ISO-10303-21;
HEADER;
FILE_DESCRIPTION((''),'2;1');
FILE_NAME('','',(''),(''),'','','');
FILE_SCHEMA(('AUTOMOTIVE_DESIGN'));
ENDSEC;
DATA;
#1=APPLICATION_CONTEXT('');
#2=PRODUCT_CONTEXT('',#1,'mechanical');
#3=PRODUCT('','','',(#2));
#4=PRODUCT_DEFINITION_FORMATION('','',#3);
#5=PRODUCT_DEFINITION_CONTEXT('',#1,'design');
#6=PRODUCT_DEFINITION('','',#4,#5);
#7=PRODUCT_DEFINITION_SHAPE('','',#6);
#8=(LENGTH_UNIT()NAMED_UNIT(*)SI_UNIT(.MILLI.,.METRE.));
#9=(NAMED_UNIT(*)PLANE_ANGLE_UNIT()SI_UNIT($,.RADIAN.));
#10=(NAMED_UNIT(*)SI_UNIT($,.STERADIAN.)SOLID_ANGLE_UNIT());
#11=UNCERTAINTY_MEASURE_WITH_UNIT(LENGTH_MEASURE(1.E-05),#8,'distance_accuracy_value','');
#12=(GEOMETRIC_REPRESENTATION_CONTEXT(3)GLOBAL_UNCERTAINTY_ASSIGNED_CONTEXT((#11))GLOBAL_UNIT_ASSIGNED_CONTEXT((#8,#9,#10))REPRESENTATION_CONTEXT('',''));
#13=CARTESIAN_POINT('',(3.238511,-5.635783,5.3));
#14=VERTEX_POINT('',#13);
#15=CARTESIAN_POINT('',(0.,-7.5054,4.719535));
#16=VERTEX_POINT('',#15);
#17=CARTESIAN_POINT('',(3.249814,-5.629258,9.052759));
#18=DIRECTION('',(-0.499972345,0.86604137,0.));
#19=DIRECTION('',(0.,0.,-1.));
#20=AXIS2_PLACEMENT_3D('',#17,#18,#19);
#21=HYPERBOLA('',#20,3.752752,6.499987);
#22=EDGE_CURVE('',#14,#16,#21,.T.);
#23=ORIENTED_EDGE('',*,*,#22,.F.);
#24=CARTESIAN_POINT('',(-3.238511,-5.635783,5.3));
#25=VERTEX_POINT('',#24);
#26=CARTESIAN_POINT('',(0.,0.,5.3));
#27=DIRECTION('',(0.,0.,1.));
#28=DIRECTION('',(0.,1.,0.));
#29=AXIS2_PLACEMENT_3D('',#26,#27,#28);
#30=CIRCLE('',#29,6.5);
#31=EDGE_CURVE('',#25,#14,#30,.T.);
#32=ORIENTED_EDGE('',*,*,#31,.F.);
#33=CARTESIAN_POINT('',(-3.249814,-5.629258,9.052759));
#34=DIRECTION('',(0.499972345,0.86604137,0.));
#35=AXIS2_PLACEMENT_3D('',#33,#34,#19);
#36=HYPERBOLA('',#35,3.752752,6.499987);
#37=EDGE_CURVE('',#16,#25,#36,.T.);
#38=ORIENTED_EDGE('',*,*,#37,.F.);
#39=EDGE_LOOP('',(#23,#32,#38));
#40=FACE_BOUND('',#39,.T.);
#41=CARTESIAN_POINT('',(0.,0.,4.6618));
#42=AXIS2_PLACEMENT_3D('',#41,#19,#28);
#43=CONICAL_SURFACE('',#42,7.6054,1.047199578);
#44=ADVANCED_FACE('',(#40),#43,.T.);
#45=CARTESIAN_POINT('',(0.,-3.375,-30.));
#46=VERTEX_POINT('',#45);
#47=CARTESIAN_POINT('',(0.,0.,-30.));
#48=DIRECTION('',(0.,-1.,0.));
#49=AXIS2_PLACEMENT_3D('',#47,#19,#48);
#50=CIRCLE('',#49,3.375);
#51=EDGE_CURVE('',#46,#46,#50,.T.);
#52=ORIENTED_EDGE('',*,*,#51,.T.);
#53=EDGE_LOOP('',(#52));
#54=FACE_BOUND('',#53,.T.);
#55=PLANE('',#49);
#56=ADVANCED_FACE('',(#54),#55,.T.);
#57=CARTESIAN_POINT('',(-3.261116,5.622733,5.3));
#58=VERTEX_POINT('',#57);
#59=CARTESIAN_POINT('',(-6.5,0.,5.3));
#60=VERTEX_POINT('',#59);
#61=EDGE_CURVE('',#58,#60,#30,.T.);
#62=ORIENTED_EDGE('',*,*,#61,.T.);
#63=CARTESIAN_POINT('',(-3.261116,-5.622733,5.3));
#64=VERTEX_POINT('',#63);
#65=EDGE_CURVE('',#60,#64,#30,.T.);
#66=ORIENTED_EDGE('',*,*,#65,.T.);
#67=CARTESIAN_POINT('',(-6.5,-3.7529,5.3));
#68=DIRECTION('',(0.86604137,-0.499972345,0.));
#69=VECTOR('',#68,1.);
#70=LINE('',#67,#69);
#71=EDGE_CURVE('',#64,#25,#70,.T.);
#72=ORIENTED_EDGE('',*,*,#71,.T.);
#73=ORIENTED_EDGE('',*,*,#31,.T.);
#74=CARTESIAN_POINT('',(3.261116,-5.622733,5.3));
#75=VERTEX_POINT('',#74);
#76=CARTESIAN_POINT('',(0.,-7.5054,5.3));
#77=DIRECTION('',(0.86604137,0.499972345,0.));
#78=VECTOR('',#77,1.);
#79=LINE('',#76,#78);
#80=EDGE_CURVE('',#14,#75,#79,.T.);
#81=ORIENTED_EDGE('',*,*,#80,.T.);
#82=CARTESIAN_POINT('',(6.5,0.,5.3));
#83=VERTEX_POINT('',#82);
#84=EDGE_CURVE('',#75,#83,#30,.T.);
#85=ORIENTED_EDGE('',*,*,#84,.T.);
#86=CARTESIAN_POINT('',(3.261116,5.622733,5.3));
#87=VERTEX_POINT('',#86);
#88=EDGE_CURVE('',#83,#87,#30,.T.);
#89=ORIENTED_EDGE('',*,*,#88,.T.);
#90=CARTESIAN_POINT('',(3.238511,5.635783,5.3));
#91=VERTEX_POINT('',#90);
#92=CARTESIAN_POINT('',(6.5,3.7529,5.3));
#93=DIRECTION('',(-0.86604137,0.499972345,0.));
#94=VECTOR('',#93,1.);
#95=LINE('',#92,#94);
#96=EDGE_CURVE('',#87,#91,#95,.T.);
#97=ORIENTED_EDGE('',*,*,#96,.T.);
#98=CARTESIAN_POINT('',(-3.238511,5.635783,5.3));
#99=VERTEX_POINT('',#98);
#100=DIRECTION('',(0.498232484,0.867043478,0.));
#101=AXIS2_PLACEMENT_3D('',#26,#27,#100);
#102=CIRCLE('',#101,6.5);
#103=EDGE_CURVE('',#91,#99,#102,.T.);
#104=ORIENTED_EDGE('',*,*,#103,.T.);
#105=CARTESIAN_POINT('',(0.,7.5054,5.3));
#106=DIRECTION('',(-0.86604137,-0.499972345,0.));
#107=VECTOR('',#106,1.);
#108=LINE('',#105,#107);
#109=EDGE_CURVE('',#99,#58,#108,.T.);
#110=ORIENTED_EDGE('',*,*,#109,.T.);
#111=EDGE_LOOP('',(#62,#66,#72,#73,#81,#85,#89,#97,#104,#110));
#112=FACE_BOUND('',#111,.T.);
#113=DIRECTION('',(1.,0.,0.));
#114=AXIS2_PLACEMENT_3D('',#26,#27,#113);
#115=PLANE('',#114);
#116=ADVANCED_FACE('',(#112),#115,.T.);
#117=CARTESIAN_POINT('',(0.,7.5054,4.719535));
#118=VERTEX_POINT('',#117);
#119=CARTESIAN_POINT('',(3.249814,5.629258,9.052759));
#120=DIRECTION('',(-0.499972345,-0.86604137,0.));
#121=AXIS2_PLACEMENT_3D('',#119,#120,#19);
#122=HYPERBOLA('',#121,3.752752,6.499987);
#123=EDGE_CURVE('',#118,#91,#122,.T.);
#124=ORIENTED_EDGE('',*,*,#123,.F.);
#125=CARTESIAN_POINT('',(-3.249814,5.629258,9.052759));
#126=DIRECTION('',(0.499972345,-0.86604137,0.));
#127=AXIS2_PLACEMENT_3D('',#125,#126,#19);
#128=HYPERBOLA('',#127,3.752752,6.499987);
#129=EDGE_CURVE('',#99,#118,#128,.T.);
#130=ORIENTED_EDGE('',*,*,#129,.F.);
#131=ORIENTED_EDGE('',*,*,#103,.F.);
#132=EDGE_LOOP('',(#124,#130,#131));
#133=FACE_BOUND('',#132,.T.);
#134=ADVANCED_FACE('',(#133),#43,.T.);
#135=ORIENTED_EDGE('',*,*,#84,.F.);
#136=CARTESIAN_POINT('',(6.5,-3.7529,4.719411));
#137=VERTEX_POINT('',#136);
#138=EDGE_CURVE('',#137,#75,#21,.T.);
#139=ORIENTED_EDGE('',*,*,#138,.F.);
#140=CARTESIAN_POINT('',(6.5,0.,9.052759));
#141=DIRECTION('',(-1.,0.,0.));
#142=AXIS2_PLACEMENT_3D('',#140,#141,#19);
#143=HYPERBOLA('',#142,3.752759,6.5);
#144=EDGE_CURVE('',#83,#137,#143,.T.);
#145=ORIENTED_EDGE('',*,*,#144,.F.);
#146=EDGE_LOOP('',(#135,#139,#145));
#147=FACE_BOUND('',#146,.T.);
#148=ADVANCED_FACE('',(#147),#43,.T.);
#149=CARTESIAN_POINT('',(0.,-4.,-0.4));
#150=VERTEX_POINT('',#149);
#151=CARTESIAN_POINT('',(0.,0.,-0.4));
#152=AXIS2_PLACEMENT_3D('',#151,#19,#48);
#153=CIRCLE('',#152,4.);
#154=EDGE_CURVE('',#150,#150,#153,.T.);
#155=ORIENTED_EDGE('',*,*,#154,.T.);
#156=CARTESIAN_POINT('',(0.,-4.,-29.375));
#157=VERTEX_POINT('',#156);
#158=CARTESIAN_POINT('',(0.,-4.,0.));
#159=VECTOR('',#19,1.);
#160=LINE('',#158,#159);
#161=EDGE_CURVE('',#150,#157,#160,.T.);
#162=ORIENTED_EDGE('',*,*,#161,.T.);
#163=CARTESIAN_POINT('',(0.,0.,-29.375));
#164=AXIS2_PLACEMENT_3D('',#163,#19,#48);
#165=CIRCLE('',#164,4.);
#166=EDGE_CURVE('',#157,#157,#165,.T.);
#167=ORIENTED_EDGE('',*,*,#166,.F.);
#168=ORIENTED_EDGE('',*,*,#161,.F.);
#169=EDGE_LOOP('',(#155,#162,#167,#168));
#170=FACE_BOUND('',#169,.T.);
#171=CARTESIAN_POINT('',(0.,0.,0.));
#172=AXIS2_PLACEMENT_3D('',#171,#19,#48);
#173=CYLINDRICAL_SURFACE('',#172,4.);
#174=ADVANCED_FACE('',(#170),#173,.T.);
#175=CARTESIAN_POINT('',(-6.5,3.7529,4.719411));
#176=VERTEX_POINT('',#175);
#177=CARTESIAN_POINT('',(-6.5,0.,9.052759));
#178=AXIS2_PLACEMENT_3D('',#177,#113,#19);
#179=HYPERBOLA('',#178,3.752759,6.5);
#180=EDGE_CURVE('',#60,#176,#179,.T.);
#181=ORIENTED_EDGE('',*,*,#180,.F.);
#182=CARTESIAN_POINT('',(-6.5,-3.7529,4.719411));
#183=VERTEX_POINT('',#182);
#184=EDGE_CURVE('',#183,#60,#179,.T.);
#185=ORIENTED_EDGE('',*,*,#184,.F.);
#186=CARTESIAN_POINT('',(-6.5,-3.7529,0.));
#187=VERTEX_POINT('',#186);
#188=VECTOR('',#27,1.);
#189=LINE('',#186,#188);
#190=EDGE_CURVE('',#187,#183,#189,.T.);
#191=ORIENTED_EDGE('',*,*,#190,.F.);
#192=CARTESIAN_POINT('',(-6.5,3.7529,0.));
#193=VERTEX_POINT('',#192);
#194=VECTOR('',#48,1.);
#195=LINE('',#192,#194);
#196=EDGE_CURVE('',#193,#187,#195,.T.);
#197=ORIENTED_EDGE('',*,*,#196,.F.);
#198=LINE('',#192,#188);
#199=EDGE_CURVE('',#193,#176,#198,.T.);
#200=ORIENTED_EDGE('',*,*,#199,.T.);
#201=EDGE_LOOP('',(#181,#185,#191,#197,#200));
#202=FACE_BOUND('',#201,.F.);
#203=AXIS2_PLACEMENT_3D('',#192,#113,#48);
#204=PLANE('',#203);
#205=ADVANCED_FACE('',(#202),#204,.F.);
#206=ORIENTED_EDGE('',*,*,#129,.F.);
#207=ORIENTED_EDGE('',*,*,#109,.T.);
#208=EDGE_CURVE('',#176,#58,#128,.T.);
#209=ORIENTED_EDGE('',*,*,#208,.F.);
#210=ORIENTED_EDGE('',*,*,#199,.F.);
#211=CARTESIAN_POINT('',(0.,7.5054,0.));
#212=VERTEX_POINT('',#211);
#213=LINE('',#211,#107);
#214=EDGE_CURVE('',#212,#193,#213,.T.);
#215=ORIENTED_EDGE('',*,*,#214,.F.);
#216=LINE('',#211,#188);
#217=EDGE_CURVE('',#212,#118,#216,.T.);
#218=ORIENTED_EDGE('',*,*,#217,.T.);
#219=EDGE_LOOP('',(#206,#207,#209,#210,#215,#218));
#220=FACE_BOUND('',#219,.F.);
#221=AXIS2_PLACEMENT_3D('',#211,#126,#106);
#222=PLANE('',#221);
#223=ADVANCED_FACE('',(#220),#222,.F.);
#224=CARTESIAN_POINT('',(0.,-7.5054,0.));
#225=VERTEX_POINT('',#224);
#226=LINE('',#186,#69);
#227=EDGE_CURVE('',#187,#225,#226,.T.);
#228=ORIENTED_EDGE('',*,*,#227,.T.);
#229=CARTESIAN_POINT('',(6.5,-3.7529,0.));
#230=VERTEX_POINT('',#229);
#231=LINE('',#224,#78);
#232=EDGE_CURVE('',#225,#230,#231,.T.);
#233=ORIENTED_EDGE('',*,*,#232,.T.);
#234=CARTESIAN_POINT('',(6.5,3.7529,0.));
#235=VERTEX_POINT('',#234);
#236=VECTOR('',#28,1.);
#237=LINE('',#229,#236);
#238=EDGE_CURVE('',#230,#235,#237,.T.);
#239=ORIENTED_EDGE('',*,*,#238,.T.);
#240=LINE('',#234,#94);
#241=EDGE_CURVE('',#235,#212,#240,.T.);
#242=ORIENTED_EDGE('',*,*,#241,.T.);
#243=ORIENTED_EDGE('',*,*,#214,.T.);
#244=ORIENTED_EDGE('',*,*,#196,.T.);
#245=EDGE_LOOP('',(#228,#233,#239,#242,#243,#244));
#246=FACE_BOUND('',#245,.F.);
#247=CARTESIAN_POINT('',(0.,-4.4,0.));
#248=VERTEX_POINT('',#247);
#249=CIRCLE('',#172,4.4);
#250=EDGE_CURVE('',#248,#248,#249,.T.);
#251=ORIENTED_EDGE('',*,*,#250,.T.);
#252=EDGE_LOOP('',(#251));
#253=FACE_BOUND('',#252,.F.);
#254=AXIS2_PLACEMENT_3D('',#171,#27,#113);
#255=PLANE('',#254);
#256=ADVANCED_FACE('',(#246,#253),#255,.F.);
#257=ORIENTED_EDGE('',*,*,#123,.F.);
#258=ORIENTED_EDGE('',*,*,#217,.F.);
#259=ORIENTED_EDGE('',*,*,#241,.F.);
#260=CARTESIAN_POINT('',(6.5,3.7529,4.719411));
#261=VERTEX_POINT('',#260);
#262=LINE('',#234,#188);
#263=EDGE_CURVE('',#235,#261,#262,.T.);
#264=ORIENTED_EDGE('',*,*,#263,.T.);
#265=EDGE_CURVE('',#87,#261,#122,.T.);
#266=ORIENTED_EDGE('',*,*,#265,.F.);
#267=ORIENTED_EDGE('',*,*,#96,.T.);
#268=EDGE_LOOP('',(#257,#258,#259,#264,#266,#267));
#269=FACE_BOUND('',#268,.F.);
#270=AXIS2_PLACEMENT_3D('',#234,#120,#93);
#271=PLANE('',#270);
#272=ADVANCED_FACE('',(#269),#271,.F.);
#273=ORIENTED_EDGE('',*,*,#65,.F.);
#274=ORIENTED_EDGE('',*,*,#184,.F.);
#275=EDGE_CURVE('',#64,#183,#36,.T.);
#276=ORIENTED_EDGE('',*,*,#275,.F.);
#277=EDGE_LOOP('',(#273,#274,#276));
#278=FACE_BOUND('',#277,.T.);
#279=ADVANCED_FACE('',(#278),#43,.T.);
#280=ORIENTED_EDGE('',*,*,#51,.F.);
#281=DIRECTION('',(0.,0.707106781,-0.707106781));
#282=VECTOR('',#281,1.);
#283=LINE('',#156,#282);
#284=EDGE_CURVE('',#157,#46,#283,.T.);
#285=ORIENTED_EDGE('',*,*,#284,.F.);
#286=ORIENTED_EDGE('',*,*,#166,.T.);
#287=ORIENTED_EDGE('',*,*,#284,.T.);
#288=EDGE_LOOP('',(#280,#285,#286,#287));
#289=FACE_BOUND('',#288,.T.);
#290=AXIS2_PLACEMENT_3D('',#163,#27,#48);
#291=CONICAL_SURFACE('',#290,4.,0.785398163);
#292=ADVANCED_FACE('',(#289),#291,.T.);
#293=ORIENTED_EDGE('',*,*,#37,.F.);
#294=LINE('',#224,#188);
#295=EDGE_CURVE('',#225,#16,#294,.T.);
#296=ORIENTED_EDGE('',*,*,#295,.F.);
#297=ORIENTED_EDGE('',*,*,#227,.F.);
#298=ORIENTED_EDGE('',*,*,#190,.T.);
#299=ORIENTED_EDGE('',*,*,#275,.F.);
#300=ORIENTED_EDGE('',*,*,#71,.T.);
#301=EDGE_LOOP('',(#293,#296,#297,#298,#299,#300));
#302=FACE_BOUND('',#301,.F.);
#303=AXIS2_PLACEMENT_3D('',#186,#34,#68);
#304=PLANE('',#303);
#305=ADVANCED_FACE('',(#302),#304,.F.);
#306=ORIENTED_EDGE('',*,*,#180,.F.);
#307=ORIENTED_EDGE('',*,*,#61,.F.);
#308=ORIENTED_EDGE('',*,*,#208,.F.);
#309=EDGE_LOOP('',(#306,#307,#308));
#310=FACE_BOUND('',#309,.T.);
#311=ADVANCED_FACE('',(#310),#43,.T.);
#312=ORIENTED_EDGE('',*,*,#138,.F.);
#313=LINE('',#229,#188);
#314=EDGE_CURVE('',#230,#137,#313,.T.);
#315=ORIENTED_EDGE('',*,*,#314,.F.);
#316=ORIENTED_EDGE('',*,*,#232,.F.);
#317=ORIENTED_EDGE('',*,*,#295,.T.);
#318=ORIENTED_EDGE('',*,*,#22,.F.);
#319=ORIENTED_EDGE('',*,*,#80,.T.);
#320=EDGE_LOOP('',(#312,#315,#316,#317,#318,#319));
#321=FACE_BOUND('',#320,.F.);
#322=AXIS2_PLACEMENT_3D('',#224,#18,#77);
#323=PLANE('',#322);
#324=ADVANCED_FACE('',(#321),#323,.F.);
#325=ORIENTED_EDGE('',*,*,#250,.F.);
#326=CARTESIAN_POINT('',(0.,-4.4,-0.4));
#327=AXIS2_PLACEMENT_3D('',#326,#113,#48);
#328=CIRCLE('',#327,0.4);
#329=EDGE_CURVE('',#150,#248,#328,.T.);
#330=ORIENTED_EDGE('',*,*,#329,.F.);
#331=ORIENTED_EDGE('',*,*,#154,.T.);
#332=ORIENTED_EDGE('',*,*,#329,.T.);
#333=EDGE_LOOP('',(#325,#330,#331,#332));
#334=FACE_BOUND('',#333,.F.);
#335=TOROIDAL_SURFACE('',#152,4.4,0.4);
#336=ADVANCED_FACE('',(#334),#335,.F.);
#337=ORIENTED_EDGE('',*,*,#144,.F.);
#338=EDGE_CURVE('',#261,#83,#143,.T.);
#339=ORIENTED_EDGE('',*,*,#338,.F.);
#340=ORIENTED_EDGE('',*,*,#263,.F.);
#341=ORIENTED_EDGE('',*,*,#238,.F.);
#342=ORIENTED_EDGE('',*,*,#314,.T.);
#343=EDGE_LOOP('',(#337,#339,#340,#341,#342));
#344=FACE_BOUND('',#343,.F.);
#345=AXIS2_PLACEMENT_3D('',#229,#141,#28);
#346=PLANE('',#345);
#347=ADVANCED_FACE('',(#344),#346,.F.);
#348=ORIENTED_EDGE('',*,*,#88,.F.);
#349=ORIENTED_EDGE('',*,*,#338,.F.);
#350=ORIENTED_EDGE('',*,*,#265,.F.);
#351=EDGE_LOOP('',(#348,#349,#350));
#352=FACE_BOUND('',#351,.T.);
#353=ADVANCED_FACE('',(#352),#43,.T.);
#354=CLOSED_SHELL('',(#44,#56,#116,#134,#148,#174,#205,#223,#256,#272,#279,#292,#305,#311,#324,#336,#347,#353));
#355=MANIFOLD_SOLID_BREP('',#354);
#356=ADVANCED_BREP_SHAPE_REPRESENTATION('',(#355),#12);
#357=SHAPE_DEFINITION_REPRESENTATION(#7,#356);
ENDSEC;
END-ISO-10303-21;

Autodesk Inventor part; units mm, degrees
ref_plane "WorkPlane1" through (0, 0, 0) normal (0, 0, 1) x (1, 0, 0)
sketch "Sketch1" plane through (0, 0, 0) normal (0, 0, 1) x (1, 0, 0)
  point P0 (0, 0)
sketch "Sketch2" plane through (0, 0, 0) normal (0, 0, 1) x (1, 0, 0)
  line L0 (-6.5, 3.7529) -> (-6.5, -3.7529)
  line L1 (0, 7.5054) -> (-6.5, 3.7529)
  line L2 (6.5, 3.7529) -> (0, 7.5054)
  line L3 (6.5, -3.7529) -> (6.5, 3.7529)
  line L4 (0, -7.5054) -> (6.5, -3.7529)
  line L5 (-6.5, -3.7529) -> (0, -7.5054)
  circle A0 centre (0, 0) radius 6.5 construction
  dimension "d1" = 13
  dimension "d29" = 0
  dimension "d30" = 0
extrude "Extrusion1" add sketch "Sketch2" along normal blind 5.3
sketch "Sketch3" plane through (0, 0, 0) normal (1, 0, 0) x (0, 1, 0)
  line L0 (6.5, 5.3) -> (7.6054, 5.3)
  line L1 (7.6054, 4.6618) -> (6.5, 5.3)
  line L2 (7.6054, 5.3) -> (7.6054, 4.6618)
  line L3 (0, -1.06) -> (0, 6.36) projected
  line L4 (7.5054, 0) -> (7.5054, 5.3) projected
  dimension "d25" = 0.1
  dimension "d26" = 0
  dimension "d27" = 60
  dimension "d28" = 6.5
revolve "Revolution1" cut sketch "Sketch3" angle 360 about axis through (0, 0, -10) along (0, 0, 1)
sketch "Sketch4" plane through (0, 0, 0) normal (1, 0, 0) x (0, 1, 0)
  line L0 (0, -30) -> (0, 0)
  line L1 (-4, -30) -> (0, -30)
  line L2 (-4, 0) -> (-4, -30)
  line L3 (0, 0) -> (-4, 0)
  line L4 (0, -30) -> (0, 0)
  line L5 (-4.8, 0) -> (0.8, 0) projected
  line L6 (0, -36) -> (0, 6) projected
  dimension "d18" = 4
  dimension "d20" = 30
  dimension "d33" = 0
  dimension "d34" = 0
revolve "Revolution2" add sketch "Sketch4" angle 360 about axis through (0, 0, -30) along (0, 0, -1)
chamfer "Chamfer1" distance 0.625 angle 45 1 edges at (0, 4, -30)
fillet "Fillet1" radius 0.4 1 edges at (0, 4, 0)
thread "Thread1" size "M8x1.25" class "6g" standard "ISO Metric profile" length 27.5
ref_plane "MSC_PF1" through (0, 0, 0) normal (1, 0, 0) x (0, 1, 0)
ref_plane "MSC_PT1" through (0, 0, 0) normal (0, 0, -1) x (-1, 0, 0)
equation "\"d22\" = 0.5 * PTC"
equation "\"d23\" = 0.5 * PTC"
equation "\"d24\" = r"
equation "\"d1\" = ParS"
equation "\"d6\" = ParK"
equation "\"b\" = NLG - 2 * PTC"
equation "\"d28\" = 0.5 * ParS"
equation "\"d18\" = 0.5 * NND"
equation "\"d20\" = NLG"
equation "\"NND\" = 8"
equation "\"NLG\" = 30"
equation "\"PTC\" = 1.25"
equation "\"ParK\" = 5.3"
equation "\"ParS\" = 13"
equation "\"msp_es\" = 0.577367 * ParS"
equation "\"r\" = 0.4"
equation "\"THREADDIA\" = NND"
properties part number "ISO 4018 - M8 x 30" material "Steel"
